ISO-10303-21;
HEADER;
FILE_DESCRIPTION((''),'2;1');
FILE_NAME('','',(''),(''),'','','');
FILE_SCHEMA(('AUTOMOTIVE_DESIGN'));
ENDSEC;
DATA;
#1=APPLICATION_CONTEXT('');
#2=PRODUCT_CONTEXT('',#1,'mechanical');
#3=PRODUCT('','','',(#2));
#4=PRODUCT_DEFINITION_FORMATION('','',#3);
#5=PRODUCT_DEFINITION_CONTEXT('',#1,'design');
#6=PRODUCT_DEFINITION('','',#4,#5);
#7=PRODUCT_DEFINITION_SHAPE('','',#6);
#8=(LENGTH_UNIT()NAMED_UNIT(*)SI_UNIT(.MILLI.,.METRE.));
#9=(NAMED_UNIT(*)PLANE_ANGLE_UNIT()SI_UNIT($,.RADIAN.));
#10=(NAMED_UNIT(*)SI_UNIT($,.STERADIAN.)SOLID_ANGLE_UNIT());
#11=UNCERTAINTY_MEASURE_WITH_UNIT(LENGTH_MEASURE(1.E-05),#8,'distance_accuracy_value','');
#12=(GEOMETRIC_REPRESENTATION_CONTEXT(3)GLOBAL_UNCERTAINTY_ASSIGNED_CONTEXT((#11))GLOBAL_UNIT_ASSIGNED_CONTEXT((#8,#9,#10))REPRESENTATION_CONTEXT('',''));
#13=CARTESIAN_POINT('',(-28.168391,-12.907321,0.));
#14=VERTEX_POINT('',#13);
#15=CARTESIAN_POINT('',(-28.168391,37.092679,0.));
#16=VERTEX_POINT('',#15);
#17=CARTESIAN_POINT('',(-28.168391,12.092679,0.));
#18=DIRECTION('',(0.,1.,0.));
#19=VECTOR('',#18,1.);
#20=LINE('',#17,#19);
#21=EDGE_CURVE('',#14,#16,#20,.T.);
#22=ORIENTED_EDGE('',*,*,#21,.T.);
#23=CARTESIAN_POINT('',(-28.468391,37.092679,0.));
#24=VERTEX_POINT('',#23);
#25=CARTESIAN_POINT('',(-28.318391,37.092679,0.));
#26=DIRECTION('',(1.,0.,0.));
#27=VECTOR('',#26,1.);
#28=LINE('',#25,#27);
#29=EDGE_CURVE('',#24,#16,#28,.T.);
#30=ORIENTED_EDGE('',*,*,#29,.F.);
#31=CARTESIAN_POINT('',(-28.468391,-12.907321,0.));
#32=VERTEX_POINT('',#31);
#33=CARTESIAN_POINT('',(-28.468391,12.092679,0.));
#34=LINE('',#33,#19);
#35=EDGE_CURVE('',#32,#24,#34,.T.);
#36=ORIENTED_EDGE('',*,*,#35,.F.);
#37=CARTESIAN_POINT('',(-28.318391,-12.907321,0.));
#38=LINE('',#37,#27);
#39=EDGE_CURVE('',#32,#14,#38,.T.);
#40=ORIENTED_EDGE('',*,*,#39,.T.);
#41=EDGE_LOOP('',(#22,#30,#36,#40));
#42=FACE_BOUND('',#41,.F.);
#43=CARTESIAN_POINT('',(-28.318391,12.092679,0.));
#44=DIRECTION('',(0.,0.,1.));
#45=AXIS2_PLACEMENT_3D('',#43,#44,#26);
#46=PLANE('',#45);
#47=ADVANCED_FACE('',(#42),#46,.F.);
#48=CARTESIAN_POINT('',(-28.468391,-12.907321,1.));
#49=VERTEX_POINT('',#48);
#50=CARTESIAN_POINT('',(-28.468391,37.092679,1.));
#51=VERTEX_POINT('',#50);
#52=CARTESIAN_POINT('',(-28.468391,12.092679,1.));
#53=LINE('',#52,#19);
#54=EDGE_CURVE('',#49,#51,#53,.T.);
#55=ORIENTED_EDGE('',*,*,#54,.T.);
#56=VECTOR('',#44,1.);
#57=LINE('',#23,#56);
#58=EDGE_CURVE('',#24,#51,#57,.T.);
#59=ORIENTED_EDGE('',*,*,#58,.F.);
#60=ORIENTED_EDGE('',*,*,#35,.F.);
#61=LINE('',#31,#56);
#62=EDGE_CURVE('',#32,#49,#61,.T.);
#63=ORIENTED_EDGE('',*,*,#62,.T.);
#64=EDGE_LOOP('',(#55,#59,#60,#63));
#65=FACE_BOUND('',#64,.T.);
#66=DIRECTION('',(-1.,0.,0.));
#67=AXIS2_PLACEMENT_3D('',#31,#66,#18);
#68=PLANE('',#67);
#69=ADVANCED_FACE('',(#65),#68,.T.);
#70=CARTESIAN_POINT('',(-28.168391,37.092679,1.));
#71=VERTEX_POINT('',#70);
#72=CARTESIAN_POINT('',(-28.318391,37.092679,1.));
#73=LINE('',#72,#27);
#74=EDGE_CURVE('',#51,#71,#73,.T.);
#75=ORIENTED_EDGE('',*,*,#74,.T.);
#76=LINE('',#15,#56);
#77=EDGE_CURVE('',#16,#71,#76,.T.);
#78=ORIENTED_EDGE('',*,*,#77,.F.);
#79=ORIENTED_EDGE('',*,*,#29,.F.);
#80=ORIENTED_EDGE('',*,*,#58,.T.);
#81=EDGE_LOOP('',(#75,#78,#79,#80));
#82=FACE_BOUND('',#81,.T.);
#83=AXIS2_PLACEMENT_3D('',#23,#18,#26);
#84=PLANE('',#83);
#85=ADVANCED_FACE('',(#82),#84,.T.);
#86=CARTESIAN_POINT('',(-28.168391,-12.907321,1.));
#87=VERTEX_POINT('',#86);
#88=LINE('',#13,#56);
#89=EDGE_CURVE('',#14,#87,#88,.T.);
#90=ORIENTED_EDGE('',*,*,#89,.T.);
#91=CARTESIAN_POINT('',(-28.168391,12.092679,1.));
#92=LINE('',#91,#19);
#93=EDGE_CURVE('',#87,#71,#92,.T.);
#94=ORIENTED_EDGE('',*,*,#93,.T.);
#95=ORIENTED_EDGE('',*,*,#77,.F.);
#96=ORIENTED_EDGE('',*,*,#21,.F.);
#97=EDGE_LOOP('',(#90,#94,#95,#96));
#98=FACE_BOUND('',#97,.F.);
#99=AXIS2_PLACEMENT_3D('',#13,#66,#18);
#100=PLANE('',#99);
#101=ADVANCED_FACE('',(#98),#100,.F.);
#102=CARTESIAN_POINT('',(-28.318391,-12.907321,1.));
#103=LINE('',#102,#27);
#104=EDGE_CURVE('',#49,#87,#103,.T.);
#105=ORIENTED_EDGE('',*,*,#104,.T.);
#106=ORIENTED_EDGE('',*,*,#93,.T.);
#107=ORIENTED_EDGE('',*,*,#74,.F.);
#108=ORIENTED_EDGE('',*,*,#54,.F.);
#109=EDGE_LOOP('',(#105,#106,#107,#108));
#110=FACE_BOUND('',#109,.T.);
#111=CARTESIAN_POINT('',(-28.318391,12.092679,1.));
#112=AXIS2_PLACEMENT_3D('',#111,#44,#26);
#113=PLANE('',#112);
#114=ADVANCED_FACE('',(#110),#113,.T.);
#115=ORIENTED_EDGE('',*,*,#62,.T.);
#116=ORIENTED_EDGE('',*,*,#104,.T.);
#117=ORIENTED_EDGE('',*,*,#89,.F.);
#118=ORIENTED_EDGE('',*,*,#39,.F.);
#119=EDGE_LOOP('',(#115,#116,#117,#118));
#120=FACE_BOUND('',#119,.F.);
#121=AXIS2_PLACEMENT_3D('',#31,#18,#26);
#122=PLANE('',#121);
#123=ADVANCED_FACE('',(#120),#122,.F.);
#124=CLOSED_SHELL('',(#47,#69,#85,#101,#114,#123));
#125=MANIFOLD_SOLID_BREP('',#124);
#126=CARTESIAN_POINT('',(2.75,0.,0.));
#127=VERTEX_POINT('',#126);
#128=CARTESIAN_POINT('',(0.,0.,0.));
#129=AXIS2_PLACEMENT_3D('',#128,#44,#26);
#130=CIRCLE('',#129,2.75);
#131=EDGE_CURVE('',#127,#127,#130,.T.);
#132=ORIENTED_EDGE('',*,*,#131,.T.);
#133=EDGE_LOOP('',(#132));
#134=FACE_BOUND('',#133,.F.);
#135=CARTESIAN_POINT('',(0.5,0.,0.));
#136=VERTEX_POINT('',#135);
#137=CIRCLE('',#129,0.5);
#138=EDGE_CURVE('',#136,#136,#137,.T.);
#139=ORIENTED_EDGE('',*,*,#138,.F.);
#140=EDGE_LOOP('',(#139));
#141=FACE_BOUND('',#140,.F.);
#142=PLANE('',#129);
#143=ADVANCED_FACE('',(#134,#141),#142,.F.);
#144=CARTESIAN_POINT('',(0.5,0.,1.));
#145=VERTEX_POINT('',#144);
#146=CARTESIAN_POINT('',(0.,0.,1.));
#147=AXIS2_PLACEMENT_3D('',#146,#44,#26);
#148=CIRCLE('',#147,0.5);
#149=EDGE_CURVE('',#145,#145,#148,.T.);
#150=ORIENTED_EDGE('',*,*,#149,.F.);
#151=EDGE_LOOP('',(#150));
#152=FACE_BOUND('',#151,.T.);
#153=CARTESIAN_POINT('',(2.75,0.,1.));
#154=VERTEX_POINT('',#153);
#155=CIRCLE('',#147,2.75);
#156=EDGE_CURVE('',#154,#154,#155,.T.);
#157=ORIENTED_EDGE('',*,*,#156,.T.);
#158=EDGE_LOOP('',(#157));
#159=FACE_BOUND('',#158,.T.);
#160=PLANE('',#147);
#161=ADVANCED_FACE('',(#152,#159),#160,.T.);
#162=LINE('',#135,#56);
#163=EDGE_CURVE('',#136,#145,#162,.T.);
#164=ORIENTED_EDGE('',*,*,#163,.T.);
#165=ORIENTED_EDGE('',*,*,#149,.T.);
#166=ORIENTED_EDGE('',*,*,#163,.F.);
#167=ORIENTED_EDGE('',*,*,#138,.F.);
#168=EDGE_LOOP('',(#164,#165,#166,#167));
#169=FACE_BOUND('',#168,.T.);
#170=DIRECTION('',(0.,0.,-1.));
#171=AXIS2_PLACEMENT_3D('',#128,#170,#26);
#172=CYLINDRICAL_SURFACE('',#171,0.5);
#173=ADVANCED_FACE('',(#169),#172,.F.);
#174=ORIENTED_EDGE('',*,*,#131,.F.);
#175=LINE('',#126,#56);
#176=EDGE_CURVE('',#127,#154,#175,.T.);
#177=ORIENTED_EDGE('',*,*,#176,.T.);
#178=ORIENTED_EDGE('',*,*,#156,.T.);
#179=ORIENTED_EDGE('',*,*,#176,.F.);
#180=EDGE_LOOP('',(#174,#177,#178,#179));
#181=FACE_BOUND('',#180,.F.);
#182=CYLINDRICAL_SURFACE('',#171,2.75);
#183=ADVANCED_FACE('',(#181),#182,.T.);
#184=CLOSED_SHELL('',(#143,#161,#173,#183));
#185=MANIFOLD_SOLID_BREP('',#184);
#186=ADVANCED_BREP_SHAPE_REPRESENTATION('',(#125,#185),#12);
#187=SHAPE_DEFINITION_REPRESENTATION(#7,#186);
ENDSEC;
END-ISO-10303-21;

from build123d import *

# Parameters (mm, degrees)
F0_R     = 2.75
F0_R_2   = 0.5
F0_W     = 0.3
F0_H     = 50
F1_DEPTH = 1


with BuildPart() as f1:
    # F0 (on Top) → F1 (new body)
    with BuildSketch(Plane.XY):
        Circle(F0_R)
        Circle(F0_R_2, mode=Mode.SUBTRACT)
        with Locations((-28.318391, 12.092679)):
            Rectangle(F0_W, F0_H)
    extrude(amount=F1_DEPTH)


solid = f1.part
